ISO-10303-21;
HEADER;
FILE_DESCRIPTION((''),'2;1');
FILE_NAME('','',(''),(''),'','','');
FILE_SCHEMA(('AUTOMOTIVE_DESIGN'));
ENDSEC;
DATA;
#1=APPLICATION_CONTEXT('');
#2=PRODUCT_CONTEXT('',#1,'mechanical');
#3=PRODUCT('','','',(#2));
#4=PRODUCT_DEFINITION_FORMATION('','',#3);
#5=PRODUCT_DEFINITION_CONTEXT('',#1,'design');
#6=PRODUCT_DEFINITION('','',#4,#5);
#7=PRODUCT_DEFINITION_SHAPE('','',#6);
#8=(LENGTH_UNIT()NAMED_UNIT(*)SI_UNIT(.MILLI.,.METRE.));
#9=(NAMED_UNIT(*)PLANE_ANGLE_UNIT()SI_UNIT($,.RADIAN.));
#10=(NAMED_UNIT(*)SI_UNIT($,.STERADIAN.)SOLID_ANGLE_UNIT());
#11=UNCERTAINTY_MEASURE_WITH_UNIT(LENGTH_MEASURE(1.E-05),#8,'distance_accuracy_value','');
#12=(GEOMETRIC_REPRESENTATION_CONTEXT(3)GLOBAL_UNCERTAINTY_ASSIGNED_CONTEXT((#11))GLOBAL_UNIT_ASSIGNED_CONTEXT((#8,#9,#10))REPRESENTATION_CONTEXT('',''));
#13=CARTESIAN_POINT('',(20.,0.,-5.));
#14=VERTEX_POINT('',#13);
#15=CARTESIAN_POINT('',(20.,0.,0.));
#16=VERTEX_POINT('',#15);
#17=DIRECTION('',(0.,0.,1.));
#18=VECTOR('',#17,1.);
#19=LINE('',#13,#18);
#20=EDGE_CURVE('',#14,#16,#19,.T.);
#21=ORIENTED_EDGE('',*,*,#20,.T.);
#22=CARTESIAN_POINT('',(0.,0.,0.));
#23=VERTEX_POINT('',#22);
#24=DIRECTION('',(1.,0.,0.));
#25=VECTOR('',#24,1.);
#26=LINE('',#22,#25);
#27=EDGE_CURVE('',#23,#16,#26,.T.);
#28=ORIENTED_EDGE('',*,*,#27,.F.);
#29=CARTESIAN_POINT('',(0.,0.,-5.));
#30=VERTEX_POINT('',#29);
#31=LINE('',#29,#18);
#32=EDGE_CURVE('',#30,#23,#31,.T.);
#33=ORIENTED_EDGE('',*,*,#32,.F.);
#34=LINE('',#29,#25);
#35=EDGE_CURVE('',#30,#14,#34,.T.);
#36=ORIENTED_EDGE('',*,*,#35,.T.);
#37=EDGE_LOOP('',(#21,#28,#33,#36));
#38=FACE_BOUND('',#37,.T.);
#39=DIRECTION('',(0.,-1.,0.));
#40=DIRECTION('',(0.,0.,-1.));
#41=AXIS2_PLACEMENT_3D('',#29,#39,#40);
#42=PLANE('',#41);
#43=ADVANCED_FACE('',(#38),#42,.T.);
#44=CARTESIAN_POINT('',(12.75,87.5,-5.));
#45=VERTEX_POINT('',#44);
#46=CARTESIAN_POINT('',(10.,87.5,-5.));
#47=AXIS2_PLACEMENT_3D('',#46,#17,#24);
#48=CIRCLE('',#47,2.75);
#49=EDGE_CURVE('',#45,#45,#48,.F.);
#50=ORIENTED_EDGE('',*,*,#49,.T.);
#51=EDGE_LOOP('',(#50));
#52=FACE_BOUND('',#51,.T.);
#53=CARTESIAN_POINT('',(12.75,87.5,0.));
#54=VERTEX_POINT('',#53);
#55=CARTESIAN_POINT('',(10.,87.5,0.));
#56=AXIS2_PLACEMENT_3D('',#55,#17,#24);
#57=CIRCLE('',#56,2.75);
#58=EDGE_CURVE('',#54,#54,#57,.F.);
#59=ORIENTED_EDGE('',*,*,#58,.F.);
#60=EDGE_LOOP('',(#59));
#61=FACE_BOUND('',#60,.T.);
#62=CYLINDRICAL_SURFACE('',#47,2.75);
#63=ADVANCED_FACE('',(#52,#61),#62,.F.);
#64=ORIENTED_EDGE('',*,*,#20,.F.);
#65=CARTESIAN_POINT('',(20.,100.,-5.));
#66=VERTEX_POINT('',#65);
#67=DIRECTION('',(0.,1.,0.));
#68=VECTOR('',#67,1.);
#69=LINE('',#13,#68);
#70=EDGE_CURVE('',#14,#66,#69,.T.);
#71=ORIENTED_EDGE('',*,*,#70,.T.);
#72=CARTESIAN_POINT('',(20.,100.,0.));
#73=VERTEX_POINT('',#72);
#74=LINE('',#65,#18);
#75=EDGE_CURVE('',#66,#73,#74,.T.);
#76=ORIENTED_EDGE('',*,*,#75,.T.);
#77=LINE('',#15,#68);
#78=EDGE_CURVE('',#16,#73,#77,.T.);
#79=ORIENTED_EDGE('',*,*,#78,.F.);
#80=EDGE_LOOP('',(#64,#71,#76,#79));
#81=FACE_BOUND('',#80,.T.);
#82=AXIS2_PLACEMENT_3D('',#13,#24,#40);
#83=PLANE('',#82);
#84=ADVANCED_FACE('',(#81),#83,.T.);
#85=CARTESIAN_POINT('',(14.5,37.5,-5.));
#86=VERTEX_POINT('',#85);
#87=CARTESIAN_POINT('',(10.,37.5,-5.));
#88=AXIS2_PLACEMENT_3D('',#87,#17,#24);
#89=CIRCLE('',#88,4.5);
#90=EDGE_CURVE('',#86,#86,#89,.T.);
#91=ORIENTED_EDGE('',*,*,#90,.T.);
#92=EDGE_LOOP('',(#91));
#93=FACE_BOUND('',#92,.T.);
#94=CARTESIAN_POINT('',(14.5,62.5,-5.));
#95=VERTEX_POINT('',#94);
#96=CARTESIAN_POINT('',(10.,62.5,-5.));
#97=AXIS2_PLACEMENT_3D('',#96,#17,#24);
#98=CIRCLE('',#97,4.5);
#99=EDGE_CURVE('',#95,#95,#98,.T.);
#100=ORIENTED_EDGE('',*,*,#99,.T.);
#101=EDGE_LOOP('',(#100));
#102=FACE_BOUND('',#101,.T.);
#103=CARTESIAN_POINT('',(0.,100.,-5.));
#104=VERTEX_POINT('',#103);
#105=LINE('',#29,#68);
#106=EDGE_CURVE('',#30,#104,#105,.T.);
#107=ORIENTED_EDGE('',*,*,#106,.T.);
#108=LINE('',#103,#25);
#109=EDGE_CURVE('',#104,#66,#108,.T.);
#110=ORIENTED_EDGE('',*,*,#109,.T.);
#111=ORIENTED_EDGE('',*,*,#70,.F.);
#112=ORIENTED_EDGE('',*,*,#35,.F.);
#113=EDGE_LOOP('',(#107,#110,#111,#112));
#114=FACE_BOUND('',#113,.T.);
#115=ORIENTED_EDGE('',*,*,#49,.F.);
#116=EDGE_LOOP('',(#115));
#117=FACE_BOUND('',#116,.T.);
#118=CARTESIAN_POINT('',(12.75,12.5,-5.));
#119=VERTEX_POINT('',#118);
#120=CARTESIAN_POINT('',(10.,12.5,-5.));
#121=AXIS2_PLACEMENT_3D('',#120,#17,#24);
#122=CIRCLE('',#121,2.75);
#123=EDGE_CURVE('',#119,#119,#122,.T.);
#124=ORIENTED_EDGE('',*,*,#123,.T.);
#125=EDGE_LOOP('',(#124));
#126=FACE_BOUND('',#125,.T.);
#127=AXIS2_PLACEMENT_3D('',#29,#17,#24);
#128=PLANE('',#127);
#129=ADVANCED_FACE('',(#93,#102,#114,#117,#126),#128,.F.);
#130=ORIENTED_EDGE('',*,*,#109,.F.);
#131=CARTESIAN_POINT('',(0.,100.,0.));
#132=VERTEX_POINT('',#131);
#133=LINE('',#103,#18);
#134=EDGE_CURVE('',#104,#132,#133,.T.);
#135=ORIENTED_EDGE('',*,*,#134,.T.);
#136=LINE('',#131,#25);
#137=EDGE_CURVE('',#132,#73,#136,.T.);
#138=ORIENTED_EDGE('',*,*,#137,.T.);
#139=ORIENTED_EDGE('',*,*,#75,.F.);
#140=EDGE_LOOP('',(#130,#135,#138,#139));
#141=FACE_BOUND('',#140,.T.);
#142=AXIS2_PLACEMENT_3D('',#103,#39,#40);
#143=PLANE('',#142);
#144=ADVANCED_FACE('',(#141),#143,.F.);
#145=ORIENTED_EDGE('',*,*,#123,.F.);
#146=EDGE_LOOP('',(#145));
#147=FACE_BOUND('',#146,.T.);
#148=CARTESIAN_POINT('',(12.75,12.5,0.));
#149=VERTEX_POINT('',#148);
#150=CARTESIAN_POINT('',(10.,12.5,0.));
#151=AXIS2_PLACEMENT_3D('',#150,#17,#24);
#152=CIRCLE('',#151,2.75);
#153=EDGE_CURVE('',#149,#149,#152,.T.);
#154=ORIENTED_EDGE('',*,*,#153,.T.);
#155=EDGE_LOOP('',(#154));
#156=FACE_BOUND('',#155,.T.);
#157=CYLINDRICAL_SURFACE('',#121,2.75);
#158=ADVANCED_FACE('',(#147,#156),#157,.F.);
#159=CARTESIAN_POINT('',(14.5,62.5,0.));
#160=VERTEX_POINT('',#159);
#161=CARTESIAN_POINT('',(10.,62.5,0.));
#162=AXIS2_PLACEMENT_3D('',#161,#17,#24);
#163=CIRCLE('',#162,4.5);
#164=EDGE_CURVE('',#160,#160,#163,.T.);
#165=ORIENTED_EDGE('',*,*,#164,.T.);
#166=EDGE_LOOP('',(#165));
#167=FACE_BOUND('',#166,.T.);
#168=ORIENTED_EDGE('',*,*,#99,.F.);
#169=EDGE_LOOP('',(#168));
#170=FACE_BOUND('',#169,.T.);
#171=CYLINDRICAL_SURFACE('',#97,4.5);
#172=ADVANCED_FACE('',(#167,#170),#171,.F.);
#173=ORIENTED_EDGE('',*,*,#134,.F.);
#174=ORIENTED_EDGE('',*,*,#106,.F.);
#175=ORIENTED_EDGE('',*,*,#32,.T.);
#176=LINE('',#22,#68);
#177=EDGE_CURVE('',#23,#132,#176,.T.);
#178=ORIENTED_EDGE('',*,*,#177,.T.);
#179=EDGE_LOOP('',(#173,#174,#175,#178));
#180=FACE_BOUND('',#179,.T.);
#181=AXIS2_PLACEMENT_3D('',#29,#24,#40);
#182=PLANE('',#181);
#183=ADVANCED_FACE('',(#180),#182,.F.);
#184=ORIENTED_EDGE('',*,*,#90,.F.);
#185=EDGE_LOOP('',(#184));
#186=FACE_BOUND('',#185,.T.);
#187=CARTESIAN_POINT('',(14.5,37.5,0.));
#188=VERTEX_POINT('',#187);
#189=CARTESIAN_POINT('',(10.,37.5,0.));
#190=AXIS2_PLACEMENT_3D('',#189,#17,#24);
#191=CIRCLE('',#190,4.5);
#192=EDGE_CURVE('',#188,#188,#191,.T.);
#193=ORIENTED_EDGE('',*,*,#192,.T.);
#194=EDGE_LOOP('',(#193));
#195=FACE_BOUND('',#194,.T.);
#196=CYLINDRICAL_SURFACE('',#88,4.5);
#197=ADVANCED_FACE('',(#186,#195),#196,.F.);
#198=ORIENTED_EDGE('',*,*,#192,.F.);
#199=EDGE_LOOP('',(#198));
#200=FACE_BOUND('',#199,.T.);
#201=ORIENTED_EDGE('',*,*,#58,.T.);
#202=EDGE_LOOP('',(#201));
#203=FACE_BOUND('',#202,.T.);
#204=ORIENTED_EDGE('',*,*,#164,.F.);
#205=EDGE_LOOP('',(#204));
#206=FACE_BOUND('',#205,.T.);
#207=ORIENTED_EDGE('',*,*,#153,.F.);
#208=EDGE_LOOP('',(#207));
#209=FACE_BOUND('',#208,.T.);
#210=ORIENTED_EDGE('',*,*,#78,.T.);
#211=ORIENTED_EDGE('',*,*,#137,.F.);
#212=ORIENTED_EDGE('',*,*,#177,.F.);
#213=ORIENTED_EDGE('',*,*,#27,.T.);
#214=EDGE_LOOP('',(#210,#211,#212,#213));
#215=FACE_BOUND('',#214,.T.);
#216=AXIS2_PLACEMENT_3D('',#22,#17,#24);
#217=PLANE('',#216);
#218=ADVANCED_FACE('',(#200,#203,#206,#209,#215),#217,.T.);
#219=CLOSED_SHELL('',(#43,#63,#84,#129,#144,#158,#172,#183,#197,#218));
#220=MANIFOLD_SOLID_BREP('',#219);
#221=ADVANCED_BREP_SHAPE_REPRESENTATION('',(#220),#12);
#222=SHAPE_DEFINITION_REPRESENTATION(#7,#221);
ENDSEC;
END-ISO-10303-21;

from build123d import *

# Parameters (mm, degrees)
ESQUISSE1_W        = 20
ESQUISSE1_H        = 100
ESQUISSE1_R        = 4.5
ESQUISSE1_R_2      = 2.75
BOSS_EXTRU_2_DEPTH = 5


with BuildPart() as part:
    # Esquisse1 → Boss.-Extru.2 (new body)
    # profile 1 of 3: a face of its own
    with BuildSketch(Plane.XY):
        with Locations((10, 50)):
            Rectangle(ESQUISSE1_W, ESQUISSE1_H)
        with Locations((10, 37.5)):
            Circle(ESQUISSE1_R, mode=Mode.SUBTRACT)
        with Locations((10, 62.5)):
            Circle(ESQUISSE1_R, mode=Mode.SUBTRACT)
        Polygon((10, 82.881197846), (14, 85.190598923), (14, 89.809401077), (10, 92.118802154), (6, 89.809401077), (6, 85.190598923), align=None, mode=Mode.SUBTRACT)
        Polygon((10, 7.881197846), (14, 10.190598923), (14, 14.809401077), (10, 17.118802154), (6, 14.809401077), (6, 10.190598923), align=None, mode=Mode.SUBTRACT)
    # profile 2 of 3: a face of its own
    with BuildSketch(Plane.XY):
        Polygon((6, 85.190598923), (10, 82.881197846), (14, 85.190598923), (14, 89.809401077), (10, 92.118802154), (6, 89.809401077), align=None)
        with Locations((10, 87.5)):
            Circle(ESQUISSE1_R_2, mode=Mode.SUBTRACT)
    # profile 3 of 3: a face of its own
    with BuildSketch(Plane.XY):
        Polygon((6, 10.190598923), (10, 7.881197846), (14, 10.190598923), (14, 14.809401077), (10, 17.118802154), (6, 14.809401077), align=None)
        with Locations((10, 12.5)):
            Circle(ESQUISSE1_R_2, mode=Mode.SUBTRACT)
    extrude(amount=-BOSS_EXTRU_2_DEPTH)


solid = part.part
